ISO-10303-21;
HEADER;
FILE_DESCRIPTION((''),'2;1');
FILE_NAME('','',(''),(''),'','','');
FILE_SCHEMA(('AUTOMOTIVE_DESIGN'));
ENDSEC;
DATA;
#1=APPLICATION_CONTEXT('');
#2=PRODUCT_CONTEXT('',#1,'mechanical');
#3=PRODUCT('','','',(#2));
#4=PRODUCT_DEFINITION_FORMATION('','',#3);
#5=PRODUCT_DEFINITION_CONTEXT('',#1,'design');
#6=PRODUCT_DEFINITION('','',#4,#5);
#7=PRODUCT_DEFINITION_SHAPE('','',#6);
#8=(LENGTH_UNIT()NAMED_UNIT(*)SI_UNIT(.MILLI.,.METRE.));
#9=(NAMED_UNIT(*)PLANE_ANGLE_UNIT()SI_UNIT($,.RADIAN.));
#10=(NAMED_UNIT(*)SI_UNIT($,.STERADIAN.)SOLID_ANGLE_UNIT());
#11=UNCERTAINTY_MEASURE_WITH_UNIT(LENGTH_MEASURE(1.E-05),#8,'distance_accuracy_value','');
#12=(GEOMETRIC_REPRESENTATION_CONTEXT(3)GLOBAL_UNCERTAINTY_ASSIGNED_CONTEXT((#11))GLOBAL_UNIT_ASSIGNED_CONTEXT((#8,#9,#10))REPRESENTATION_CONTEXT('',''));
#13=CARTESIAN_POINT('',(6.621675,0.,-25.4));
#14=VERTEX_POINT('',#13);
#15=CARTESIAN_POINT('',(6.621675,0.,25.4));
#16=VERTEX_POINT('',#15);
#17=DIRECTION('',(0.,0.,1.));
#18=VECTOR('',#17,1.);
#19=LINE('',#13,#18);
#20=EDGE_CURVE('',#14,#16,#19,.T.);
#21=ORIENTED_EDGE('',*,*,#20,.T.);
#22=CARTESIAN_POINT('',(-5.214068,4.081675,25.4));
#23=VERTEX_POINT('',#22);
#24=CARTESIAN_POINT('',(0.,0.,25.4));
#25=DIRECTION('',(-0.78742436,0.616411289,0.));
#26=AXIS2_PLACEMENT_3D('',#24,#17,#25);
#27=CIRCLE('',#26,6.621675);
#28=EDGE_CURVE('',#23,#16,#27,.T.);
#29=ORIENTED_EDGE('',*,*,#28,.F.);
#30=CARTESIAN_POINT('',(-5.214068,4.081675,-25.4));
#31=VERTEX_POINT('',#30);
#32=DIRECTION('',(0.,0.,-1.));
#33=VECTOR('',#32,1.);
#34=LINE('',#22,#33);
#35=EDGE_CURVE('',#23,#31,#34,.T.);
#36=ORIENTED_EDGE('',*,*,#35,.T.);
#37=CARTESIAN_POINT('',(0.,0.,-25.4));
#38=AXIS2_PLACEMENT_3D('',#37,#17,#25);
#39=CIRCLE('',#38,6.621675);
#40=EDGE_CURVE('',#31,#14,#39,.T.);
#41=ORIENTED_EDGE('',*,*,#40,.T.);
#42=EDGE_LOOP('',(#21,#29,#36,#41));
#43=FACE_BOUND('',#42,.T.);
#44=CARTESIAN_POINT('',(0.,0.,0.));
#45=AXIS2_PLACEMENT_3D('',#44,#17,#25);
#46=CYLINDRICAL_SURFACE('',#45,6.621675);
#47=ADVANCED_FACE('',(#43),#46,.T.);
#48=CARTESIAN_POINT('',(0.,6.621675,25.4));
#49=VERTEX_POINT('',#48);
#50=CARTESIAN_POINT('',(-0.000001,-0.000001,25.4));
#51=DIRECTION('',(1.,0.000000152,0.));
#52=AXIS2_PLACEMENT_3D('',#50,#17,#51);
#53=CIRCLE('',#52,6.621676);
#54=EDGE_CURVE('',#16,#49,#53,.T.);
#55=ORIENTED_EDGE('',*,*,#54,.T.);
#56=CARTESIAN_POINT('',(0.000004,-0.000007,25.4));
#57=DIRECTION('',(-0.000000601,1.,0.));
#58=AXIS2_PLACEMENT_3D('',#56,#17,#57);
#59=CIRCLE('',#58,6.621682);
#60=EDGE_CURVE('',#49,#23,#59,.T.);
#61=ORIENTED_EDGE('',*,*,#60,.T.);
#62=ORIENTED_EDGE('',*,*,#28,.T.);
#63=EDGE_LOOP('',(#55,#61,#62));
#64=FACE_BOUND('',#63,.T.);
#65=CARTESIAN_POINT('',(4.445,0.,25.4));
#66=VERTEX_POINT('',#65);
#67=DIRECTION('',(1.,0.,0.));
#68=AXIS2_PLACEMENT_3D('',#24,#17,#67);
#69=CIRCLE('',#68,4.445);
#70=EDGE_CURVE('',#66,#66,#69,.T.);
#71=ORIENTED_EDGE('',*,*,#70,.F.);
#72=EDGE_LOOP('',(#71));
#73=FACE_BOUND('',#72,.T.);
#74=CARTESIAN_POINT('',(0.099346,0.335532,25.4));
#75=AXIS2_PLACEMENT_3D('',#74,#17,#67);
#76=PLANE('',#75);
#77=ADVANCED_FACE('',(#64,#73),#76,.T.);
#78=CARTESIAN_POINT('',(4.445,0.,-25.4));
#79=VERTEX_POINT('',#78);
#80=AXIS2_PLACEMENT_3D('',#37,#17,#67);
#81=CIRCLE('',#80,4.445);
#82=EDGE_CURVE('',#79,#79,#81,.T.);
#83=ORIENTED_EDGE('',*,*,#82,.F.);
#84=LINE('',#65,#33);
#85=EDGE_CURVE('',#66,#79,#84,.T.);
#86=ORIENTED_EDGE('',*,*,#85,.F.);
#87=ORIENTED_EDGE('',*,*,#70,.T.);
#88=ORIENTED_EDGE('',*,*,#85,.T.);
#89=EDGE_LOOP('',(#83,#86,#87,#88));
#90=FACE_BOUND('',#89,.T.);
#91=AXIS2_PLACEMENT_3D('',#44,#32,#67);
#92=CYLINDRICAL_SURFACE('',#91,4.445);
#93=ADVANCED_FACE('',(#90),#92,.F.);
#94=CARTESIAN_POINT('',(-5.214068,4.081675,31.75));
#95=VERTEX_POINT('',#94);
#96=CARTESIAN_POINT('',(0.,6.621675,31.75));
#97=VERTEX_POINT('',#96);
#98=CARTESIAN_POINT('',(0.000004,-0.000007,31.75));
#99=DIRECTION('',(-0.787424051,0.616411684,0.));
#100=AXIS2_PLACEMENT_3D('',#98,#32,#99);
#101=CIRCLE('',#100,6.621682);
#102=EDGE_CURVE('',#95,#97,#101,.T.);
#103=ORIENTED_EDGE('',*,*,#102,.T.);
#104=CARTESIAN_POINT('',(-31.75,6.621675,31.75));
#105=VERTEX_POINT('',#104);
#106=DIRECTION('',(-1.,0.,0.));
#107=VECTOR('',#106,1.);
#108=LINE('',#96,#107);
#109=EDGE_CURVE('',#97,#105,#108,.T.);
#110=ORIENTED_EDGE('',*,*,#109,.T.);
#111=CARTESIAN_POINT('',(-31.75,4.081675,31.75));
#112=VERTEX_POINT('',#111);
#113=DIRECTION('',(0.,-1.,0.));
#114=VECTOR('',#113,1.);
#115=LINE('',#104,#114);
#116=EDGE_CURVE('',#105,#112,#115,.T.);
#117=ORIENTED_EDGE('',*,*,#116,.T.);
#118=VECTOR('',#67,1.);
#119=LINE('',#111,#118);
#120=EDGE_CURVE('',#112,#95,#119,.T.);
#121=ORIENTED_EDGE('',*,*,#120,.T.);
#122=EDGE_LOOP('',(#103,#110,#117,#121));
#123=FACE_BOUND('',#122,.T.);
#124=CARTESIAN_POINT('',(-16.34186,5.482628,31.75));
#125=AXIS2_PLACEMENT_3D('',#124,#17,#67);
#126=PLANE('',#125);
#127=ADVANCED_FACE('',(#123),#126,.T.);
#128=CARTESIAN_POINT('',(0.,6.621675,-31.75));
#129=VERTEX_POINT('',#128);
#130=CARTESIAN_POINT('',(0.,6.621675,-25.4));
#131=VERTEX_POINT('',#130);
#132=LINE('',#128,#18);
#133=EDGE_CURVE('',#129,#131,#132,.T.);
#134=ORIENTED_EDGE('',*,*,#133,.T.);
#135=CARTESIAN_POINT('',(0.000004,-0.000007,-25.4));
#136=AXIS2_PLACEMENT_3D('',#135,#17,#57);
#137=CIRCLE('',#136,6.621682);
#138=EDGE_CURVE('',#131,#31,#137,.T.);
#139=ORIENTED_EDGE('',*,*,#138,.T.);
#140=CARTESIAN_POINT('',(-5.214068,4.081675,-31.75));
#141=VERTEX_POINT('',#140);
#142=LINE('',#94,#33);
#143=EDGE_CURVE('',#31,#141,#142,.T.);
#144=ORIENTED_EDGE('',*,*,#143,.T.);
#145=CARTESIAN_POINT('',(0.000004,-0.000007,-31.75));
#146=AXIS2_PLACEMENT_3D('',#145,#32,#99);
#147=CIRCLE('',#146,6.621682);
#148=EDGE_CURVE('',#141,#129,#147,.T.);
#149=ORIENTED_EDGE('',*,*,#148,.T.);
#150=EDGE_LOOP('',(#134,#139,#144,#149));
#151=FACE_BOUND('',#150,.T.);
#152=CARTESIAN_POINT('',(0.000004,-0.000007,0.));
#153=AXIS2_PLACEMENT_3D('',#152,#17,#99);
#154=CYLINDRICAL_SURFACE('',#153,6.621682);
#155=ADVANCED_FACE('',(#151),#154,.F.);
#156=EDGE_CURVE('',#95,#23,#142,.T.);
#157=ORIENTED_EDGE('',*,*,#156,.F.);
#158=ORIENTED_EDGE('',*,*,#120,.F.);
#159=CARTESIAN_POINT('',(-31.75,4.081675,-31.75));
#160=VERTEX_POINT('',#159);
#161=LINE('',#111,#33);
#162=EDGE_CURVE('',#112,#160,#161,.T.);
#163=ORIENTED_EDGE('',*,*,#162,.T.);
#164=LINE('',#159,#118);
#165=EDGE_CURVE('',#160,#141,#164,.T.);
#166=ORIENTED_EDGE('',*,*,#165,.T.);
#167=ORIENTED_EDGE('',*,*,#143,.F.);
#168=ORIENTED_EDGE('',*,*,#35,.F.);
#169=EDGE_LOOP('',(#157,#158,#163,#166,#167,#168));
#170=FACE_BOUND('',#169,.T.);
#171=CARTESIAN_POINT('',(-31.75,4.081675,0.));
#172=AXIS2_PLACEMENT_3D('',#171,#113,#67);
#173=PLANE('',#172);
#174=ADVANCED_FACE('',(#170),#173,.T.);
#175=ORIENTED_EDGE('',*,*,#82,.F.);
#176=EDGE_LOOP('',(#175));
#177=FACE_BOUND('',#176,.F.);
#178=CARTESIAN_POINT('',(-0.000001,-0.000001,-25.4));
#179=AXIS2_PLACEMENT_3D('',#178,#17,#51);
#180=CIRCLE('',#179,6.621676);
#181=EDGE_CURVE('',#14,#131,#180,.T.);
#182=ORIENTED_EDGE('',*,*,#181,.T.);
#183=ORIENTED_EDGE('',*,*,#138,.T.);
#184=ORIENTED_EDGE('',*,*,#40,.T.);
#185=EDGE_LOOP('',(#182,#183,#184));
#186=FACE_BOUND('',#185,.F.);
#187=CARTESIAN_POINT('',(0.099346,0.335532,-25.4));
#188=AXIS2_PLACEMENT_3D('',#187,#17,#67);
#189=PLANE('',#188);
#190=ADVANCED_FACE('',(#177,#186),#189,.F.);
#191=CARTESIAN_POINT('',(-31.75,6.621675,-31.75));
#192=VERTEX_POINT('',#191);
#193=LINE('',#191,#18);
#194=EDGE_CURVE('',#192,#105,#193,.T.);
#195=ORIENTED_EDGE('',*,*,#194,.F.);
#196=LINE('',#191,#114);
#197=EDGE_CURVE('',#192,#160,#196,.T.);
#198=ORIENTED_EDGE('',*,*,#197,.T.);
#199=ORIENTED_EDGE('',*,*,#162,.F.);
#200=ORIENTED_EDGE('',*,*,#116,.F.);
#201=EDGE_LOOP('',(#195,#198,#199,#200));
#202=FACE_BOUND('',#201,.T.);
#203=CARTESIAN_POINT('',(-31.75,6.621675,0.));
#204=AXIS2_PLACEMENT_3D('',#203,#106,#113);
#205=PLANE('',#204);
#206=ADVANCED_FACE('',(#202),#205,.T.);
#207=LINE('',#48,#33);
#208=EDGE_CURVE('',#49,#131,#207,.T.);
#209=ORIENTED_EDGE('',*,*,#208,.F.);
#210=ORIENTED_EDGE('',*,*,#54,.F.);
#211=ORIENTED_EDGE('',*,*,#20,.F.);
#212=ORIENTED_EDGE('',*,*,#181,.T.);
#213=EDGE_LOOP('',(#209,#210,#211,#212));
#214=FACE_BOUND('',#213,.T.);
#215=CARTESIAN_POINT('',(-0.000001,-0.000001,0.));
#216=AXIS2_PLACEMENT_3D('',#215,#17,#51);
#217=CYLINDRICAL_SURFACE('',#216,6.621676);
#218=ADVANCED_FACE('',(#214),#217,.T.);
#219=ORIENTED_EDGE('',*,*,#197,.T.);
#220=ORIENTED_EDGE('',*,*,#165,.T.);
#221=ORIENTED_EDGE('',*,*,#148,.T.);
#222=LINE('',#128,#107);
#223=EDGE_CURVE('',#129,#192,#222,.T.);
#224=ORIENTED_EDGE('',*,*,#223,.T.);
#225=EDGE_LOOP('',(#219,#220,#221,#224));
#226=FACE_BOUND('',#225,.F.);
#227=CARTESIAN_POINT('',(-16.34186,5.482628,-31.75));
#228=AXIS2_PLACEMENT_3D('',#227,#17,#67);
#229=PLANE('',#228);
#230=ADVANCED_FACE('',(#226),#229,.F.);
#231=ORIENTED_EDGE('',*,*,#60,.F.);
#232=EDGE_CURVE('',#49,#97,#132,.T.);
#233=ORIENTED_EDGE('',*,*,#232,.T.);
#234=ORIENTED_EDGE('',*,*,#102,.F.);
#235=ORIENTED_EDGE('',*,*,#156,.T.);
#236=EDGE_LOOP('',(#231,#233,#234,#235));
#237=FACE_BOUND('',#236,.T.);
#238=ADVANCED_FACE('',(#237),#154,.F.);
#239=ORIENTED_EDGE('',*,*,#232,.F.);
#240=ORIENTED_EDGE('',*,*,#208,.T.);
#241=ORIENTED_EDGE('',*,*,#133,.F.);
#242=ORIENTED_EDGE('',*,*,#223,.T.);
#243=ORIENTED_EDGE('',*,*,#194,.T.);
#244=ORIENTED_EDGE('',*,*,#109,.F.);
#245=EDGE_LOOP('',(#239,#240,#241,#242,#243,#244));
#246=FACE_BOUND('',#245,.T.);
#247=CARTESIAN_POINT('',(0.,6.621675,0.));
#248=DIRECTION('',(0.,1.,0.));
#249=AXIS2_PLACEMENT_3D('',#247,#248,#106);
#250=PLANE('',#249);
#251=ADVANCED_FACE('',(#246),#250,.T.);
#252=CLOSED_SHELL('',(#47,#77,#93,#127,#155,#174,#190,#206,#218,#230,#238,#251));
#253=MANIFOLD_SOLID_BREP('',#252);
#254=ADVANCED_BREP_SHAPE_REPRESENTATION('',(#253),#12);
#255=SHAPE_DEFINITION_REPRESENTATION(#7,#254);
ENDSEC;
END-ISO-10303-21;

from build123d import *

# Parameters (mm, degrees)
F0_R     = 4.445
F1_DEPTH = 25.4
F2_DEPTH = 31.75


with BuildPart() as f1:
    # F0 (on Top) → F1 (new body, symmetric)
    with BuildSketch(Plane.XY):
        with BuildLine():
            ThreePointArc((-5.214068, 4.081675), (-2.158786, -6.25989), (6.621675, 0))
            ThreePointArc((6.621675, 0), (4.682231, 4.682231), (0, 6.621675))
            ThreePointArc((0, 6.621675), (-2.899918, 5.952902), (-5.214068, 4.081675))
        make_face()
        Circle(F0_R, mode=Mode.SUBTRACT)
    extrude(amount=F1_DEPTH, both=True)

    # F0 (on Top) → F2 (join, symmetric)
    with BuildSketch(Plane.XY):
        with BuildLine():
            ThreePointArc((-5.214068, 4.081675), (-2.899918, 5.952902), (0, 6.621675))
            Line((0, 6.621675), (-31.75, 6.621675))
            Line((-31.75, 6.621675), (-31.75, 4.081675))
            Line((-31.75, 4.081675), (-5.214068, 4.081675))
        make_face()
    extrude(amount=F2_DEPTH, both=True)


solid = f1.part
